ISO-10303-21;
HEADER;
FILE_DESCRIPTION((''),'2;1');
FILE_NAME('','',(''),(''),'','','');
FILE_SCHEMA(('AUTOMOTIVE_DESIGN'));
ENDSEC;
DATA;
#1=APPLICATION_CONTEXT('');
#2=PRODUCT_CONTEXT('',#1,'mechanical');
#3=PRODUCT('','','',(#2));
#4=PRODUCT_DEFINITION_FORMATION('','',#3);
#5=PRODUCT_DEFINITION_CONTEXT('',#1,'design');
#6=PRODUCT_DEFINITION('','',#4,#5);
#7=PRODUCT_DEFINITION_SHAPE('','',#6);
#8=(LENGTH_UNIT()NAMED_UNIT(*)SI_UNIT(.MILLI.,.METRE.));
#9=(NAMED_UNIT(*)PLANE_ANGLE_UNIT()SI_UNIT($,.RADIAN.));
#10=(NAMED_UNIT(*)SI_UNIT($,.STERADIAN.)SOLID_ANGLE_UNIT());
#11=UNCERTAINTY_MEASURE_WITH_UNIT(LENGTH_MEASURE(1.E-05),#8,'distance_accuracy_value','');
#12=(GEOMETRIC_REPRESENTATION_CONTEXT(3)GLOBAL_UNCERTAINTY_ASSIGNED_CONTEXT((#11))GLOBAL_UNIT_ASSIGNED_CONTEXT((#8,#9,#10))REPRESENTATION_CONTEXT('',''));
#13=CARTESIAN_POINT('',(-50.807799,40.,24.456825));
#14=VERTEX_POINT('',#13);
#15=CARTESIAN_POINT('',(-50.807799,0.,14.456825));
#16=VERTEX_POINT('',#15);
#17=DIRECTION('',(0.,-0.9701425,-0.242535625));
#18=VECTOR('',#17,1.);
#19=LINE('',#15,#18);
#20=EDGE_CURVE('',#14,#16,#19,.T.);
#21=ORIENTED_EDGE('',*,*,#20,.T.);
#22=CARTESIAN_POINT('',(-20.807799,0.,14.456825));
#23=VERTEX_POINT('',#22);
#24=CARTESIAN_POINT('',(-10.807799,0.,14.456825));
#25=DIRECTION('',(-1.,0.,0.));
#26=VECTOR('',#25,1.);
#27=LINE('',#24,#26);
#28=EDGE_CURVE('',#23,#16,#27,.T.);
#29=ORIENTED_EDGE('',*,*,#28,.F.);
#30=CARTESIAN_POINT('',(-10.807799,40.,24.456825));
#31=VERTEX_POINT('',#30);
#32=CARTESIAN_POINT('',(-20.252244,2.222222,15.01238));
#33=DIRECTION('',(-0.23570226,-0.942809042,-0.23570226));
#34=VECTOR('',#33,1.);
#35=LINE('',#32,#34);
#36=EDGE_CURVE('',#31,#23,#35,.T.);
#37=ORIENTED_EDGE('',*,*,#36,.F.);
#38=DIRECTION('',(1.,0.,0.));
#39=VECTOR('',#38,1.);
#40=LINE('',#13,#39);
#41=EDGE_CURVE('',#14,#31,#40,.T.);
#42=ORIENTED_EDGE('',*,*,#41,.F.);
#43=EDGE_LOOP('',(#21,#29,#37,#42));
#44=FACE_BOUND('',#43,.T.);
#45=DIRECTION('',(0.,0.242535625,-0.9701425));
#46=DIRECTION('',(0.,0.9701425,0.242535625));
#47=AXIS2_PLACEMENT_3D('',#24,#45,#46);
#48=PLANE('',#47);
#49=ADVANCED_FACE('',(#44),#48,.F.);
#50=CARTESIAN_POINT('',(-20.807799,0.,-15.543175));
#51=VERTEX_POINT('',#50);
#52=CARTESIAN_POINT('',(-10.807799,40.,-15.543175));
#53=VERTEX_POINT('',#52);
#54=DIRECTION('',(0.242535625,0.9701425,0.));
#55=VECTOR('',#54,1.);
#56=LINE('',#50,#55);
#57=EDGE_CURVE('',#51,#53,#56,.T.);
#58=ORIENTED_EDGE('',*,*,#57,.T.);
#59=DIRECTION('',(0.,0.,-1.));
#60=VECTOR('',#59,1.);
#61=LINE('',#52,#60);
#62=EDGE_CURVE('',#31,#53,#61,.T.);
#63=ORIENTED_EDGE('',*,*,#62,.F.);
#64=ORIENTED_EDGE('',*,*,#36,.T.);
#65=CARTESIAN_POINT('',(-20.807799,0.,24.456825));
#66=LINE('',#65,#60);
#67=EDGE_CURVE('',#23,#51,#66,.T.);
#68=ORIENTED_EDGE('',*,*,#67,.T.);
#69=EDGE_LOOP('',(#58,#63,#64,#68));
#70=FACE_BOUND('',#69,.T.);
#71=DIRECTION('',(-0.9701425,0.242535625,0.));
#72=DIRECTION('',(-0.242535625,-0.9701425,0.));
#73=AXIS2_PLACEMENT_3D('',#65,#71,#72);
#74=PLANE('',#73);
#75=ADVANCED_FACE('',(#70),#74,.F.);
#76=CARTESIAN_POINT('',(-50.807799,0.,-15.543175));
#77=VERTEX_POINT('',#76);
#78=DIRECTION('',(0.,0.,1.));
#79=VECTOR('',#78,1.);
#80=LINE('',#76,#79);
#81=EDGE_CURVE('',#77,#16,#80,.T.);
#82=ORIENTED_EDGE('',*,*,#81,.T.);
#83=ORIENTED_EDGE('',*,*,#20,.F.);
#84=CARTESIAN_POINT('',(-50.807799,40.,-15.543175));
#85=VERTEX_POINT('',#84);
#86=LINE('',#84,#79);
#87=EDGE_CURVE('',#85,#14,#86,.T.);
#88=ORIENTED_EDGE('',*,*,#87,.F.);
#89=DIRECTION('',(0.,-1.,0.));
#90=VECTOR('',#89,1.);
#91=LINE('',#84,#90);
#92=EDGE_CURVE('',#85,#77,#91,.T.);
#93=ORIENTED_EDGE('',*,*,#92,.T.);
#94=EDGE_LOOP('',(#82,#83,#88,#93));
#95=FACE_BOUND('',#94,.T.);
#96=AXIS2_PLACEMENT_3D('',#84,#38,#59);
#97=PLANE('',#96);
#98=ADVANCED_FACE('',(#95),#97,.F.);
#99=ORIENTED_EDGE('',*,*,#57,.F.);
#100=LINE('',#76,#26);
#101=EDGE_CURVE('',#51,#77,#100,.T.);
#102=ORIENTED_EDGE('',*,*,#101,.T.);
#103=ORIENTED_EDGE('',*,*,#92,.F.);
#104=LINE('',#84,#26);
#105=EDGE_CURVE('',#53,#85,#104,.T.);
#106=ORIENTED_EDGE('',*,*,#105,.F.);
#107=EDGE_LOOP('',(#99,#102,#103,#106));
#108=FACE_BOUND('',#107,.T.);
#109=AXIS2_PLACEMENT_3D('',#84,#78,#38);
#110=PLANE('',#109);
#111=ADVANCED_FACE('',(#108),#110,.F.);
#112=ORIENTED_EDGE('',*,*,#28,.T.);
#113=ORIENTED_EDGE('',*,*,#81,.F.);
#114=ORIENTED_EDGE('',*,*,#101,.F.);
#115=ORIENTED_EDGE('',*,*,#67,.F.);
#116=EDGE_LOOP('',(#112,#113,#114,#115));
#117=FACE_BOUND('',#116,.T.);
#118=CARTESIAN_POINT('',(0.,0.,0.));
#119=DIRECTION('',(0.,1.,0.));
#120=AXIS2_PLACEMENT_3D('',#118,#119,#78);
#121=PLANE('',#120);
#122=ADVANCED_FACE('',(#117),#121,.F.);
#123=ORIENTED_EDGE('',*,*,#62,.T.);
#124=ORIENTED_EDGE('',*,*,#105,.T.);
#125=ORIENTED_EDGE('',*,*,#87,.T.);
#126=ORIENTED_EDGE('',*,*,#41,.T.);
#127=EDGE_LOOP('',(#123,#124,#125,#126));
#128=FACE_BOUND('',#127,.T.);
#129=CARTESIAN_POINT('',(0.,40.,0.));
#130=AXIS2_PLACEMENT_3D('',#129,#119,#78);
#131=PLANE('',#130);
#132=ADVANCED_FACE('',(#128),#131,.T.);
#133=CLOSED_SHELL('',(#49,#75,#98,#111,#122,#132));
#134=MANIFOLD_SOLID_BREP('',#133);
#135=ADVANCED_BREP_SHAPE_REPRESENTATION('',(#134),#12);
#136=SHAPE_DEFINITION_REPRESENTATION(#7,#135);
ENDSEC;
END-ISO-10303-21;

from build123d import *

# Parameters (mm, degrees)
SKETCH_1_W          = 40
SKETCH_1_H          = 40
EXTRUDE_1_DEPTH     = 40
CUT_EXTRUDE_1_DEPTH = 77.035731628
CUT_EXTRUDE_2_DEPTH = 62.629021291


with BuildPart() as part:
    # Эскиз1 → Бобышка-Вытянуть1 (new body)
    with BuildSketch(Plane(origin=(0, 0, 0), x_dir=(1, 0, 0), z_dir=(0, 1, 0))):
        with Locations((-30.807799443, -4.456824513)):
            Rectangle(SKETCH_1_W, SKETCH_1_H)
    extrude(amount=EXTRUDE_1_DEPTH)

    # Эскиз2 → Вырез-Вытянуть1 (cut, through all)
    with BuildSketch(Plane(origin=(0, 0, -15.543175487), x_dir=(-1, 0, 0), z_dir=(0, 0, -1))):
        Polygon((10.807799443, 40), (10.807799443, 0), (20.807799443, 0), align=None)
    extrude(amount=-CUT_EXTRUDE_1_DEPTH, mode=Mode.SUBTRACT)

    # Эскиз3 → Вырез-Вытянуть2 (cut, through all)
    with BuildSketch(Plane.ZY.offset(50.807799443)):
        Polygon((24.456824513, 0), (14.456824513, 0), (24.456824513, 40), align=None)
    extrude(amount=-CUT_EXTRUDE_2_DEPTH, mode=Mode.SUBTRACT)


solid = part.part
